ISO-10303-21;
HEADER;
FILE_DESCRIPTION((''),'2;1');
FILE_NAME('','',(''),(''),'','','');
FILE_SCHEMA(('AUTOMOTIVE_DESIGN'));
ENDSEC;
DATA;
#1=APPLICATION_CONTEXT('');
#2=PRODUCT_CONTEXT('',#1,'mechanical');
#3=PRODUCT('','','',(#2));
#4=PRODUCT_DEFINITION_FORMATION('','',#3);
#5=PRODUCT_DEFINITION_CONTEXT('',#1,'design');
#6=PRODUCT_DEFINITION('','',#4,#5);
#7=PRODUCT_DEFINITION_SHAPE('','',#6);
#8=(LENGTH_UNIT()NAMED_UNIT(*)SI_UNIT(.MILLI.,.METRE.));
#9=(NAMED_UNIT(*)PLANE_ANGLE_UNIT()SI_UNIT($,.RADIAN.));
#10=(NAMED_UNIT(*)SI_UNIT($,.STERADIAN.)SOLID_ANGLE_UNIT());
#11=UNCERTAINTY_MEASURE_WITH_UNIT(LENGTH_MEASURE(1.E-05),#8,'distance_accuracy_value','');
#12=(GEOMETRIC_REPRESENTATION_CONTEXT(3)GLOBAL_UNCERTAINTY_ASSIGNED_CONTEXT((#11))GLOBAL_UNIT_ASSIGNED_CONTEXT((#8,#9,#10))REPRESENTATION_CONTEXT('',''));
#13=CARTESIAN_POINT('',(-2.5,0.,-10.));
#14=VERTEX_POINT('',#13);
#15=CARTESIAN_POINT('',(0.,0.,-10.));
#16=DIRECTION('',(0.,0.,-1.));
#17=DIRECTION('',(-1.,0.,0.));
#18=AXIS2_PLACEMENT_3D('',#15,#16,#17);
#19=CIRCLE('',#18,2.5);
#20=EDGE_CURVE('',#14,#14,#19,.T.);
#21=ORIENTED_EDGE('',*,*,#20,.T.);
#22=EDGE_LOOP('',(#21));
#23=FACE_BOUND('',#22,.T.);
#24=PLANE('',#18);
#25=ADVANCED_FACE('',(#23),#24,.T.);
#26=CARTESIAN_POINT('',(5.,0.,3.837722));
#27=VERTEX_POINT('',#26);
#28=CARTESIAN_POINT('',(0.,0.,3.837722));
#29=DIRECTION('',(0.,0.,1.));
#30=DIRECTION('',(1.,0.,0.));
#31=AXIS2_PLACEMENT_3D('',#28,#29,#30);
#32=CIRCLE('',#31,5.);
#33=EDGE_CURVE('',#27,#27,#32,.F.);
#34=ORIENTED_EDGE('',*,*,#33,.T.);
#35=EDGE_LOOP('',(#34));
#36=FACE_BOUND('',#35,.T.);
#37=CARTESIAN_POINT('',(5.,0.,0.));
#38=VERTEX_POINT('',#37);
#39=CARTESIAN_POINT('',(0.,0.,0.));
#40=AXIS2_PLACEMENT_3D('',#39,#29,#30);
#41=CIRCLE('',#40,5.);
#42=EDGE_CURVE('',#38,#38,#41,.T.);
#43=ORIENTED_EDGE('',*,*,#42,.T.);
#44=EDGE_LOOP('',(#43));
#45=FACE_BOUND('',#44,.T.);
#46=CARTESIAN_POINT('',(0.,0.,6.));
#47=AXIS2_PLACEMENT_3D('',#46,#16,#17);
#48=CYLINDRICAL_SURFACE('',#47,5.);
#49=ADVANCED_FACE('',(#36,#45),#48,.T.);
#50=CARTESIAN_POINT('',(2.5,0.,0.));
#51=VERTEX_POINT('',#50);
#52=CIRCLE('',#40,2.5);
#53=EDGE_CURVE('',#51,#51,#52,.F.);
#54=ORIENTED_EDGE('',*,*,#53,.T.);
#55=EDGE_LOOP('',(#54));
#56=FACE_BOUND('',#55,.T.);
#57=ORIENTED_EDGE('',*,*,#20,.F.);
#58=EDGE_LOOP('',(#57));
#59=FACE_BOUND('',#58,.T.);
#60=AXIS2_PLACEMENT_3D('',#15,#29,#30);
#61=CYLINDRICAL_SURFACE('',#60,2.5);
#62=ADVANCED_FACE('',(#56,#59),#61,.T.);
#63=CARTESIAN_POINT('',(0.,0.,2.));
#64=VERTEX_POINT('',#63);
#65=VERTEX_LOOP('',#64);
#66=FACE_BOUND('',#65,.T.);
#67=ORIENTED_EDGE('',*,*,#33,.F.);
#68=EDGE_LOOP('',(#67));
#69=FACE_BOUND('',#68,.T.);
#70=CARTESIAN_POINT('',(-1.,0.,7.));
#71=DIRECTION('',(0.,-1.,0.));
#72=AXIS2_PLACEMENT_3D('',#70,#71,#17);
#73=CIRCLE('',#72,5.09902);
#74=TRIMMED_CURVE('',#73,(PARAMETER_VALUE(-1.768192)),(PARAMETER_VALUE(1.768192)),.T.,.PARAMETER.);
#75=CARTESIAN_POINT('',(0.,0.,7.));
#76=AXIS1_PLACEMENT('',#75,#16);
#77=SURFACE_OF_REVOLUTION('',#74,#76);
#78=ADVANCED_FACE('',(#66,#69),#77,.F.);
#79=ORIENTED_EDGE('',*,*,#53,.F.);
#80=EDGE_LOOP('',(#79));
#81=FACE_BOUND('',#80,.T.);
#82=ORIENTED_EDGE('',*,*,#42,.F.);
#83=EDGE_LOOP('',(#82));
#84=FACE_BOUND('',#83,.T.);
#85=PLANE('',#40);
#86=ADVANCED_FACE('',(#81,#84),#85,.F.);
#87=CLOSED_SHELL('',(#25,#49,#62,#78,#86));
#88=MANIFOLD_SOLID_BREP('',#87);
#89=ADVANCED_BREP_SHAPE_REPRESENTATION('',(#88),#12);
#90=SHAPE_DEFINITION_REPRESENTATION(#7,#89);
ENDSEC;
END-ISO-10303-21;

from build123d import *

# Parameters (mm, degrees)
SKETCH1_R           = 5
BOSS_EXTRUDE1_DEPTH = 6
SKETCH4_R           = 2.5
BOSS_EXTRUDE2_DEPTH = 10


with BuildPart() as part:
    # Sketch1 → Boss-Extrude1 (new body)
    with BuildSketch(Plane.XY):
        Circle(SKETCH1_R)
    extrude(amount=BOSS_EXTRUDE1_DEPTH)

    # Sketch3 → Cut-Revolve1 (revolve, cut)
    with BuildSketch(Plane(origin=(0, 0, 0), x_dir=(0, 0, -1), z_dir=(1, 0, 0)), mode=Mode.PRIVATE) as cut_revolve1_sk:
        with BuildLine():
            Line((-6, 0), (-9.957172865, 0))
            Line((-9.957172865, 0), (-9.957172865, 5.514350083))
            Line((-9.957172865, 5.514350083), (-9.957172865, 6))
            Line((-9.957172865, 6), (-6, 6))
            ThreePointArc((-6, 6), (-2.757359313, 3.828427125), (-2, 0))
            Line((-2, 0), (-6, 0))
        make_face()
    revolve(cut_revolve1_sk.sketch.rotate(Axis((0, 0, 0), (0, 0, 1)), 270), axis=Axis((0, 0, 0), (0, 0, 1)), mode=Mode.SUBTRACT)

    # Sketch4 → Boss-Extrude2 (add)
    with BuildSketch(Plane(origin=(0, 0, 0), x_dir=(-1, 0, 0), z_dir=(0, 0, -1))):
        with Locations(Location((0, 0, 0), (0, 0, 180))):
            Circle(SKETCH4_R)
    extrude(amount=BOSS_EXTRUDE2_DEPTH)


solid = part.part
